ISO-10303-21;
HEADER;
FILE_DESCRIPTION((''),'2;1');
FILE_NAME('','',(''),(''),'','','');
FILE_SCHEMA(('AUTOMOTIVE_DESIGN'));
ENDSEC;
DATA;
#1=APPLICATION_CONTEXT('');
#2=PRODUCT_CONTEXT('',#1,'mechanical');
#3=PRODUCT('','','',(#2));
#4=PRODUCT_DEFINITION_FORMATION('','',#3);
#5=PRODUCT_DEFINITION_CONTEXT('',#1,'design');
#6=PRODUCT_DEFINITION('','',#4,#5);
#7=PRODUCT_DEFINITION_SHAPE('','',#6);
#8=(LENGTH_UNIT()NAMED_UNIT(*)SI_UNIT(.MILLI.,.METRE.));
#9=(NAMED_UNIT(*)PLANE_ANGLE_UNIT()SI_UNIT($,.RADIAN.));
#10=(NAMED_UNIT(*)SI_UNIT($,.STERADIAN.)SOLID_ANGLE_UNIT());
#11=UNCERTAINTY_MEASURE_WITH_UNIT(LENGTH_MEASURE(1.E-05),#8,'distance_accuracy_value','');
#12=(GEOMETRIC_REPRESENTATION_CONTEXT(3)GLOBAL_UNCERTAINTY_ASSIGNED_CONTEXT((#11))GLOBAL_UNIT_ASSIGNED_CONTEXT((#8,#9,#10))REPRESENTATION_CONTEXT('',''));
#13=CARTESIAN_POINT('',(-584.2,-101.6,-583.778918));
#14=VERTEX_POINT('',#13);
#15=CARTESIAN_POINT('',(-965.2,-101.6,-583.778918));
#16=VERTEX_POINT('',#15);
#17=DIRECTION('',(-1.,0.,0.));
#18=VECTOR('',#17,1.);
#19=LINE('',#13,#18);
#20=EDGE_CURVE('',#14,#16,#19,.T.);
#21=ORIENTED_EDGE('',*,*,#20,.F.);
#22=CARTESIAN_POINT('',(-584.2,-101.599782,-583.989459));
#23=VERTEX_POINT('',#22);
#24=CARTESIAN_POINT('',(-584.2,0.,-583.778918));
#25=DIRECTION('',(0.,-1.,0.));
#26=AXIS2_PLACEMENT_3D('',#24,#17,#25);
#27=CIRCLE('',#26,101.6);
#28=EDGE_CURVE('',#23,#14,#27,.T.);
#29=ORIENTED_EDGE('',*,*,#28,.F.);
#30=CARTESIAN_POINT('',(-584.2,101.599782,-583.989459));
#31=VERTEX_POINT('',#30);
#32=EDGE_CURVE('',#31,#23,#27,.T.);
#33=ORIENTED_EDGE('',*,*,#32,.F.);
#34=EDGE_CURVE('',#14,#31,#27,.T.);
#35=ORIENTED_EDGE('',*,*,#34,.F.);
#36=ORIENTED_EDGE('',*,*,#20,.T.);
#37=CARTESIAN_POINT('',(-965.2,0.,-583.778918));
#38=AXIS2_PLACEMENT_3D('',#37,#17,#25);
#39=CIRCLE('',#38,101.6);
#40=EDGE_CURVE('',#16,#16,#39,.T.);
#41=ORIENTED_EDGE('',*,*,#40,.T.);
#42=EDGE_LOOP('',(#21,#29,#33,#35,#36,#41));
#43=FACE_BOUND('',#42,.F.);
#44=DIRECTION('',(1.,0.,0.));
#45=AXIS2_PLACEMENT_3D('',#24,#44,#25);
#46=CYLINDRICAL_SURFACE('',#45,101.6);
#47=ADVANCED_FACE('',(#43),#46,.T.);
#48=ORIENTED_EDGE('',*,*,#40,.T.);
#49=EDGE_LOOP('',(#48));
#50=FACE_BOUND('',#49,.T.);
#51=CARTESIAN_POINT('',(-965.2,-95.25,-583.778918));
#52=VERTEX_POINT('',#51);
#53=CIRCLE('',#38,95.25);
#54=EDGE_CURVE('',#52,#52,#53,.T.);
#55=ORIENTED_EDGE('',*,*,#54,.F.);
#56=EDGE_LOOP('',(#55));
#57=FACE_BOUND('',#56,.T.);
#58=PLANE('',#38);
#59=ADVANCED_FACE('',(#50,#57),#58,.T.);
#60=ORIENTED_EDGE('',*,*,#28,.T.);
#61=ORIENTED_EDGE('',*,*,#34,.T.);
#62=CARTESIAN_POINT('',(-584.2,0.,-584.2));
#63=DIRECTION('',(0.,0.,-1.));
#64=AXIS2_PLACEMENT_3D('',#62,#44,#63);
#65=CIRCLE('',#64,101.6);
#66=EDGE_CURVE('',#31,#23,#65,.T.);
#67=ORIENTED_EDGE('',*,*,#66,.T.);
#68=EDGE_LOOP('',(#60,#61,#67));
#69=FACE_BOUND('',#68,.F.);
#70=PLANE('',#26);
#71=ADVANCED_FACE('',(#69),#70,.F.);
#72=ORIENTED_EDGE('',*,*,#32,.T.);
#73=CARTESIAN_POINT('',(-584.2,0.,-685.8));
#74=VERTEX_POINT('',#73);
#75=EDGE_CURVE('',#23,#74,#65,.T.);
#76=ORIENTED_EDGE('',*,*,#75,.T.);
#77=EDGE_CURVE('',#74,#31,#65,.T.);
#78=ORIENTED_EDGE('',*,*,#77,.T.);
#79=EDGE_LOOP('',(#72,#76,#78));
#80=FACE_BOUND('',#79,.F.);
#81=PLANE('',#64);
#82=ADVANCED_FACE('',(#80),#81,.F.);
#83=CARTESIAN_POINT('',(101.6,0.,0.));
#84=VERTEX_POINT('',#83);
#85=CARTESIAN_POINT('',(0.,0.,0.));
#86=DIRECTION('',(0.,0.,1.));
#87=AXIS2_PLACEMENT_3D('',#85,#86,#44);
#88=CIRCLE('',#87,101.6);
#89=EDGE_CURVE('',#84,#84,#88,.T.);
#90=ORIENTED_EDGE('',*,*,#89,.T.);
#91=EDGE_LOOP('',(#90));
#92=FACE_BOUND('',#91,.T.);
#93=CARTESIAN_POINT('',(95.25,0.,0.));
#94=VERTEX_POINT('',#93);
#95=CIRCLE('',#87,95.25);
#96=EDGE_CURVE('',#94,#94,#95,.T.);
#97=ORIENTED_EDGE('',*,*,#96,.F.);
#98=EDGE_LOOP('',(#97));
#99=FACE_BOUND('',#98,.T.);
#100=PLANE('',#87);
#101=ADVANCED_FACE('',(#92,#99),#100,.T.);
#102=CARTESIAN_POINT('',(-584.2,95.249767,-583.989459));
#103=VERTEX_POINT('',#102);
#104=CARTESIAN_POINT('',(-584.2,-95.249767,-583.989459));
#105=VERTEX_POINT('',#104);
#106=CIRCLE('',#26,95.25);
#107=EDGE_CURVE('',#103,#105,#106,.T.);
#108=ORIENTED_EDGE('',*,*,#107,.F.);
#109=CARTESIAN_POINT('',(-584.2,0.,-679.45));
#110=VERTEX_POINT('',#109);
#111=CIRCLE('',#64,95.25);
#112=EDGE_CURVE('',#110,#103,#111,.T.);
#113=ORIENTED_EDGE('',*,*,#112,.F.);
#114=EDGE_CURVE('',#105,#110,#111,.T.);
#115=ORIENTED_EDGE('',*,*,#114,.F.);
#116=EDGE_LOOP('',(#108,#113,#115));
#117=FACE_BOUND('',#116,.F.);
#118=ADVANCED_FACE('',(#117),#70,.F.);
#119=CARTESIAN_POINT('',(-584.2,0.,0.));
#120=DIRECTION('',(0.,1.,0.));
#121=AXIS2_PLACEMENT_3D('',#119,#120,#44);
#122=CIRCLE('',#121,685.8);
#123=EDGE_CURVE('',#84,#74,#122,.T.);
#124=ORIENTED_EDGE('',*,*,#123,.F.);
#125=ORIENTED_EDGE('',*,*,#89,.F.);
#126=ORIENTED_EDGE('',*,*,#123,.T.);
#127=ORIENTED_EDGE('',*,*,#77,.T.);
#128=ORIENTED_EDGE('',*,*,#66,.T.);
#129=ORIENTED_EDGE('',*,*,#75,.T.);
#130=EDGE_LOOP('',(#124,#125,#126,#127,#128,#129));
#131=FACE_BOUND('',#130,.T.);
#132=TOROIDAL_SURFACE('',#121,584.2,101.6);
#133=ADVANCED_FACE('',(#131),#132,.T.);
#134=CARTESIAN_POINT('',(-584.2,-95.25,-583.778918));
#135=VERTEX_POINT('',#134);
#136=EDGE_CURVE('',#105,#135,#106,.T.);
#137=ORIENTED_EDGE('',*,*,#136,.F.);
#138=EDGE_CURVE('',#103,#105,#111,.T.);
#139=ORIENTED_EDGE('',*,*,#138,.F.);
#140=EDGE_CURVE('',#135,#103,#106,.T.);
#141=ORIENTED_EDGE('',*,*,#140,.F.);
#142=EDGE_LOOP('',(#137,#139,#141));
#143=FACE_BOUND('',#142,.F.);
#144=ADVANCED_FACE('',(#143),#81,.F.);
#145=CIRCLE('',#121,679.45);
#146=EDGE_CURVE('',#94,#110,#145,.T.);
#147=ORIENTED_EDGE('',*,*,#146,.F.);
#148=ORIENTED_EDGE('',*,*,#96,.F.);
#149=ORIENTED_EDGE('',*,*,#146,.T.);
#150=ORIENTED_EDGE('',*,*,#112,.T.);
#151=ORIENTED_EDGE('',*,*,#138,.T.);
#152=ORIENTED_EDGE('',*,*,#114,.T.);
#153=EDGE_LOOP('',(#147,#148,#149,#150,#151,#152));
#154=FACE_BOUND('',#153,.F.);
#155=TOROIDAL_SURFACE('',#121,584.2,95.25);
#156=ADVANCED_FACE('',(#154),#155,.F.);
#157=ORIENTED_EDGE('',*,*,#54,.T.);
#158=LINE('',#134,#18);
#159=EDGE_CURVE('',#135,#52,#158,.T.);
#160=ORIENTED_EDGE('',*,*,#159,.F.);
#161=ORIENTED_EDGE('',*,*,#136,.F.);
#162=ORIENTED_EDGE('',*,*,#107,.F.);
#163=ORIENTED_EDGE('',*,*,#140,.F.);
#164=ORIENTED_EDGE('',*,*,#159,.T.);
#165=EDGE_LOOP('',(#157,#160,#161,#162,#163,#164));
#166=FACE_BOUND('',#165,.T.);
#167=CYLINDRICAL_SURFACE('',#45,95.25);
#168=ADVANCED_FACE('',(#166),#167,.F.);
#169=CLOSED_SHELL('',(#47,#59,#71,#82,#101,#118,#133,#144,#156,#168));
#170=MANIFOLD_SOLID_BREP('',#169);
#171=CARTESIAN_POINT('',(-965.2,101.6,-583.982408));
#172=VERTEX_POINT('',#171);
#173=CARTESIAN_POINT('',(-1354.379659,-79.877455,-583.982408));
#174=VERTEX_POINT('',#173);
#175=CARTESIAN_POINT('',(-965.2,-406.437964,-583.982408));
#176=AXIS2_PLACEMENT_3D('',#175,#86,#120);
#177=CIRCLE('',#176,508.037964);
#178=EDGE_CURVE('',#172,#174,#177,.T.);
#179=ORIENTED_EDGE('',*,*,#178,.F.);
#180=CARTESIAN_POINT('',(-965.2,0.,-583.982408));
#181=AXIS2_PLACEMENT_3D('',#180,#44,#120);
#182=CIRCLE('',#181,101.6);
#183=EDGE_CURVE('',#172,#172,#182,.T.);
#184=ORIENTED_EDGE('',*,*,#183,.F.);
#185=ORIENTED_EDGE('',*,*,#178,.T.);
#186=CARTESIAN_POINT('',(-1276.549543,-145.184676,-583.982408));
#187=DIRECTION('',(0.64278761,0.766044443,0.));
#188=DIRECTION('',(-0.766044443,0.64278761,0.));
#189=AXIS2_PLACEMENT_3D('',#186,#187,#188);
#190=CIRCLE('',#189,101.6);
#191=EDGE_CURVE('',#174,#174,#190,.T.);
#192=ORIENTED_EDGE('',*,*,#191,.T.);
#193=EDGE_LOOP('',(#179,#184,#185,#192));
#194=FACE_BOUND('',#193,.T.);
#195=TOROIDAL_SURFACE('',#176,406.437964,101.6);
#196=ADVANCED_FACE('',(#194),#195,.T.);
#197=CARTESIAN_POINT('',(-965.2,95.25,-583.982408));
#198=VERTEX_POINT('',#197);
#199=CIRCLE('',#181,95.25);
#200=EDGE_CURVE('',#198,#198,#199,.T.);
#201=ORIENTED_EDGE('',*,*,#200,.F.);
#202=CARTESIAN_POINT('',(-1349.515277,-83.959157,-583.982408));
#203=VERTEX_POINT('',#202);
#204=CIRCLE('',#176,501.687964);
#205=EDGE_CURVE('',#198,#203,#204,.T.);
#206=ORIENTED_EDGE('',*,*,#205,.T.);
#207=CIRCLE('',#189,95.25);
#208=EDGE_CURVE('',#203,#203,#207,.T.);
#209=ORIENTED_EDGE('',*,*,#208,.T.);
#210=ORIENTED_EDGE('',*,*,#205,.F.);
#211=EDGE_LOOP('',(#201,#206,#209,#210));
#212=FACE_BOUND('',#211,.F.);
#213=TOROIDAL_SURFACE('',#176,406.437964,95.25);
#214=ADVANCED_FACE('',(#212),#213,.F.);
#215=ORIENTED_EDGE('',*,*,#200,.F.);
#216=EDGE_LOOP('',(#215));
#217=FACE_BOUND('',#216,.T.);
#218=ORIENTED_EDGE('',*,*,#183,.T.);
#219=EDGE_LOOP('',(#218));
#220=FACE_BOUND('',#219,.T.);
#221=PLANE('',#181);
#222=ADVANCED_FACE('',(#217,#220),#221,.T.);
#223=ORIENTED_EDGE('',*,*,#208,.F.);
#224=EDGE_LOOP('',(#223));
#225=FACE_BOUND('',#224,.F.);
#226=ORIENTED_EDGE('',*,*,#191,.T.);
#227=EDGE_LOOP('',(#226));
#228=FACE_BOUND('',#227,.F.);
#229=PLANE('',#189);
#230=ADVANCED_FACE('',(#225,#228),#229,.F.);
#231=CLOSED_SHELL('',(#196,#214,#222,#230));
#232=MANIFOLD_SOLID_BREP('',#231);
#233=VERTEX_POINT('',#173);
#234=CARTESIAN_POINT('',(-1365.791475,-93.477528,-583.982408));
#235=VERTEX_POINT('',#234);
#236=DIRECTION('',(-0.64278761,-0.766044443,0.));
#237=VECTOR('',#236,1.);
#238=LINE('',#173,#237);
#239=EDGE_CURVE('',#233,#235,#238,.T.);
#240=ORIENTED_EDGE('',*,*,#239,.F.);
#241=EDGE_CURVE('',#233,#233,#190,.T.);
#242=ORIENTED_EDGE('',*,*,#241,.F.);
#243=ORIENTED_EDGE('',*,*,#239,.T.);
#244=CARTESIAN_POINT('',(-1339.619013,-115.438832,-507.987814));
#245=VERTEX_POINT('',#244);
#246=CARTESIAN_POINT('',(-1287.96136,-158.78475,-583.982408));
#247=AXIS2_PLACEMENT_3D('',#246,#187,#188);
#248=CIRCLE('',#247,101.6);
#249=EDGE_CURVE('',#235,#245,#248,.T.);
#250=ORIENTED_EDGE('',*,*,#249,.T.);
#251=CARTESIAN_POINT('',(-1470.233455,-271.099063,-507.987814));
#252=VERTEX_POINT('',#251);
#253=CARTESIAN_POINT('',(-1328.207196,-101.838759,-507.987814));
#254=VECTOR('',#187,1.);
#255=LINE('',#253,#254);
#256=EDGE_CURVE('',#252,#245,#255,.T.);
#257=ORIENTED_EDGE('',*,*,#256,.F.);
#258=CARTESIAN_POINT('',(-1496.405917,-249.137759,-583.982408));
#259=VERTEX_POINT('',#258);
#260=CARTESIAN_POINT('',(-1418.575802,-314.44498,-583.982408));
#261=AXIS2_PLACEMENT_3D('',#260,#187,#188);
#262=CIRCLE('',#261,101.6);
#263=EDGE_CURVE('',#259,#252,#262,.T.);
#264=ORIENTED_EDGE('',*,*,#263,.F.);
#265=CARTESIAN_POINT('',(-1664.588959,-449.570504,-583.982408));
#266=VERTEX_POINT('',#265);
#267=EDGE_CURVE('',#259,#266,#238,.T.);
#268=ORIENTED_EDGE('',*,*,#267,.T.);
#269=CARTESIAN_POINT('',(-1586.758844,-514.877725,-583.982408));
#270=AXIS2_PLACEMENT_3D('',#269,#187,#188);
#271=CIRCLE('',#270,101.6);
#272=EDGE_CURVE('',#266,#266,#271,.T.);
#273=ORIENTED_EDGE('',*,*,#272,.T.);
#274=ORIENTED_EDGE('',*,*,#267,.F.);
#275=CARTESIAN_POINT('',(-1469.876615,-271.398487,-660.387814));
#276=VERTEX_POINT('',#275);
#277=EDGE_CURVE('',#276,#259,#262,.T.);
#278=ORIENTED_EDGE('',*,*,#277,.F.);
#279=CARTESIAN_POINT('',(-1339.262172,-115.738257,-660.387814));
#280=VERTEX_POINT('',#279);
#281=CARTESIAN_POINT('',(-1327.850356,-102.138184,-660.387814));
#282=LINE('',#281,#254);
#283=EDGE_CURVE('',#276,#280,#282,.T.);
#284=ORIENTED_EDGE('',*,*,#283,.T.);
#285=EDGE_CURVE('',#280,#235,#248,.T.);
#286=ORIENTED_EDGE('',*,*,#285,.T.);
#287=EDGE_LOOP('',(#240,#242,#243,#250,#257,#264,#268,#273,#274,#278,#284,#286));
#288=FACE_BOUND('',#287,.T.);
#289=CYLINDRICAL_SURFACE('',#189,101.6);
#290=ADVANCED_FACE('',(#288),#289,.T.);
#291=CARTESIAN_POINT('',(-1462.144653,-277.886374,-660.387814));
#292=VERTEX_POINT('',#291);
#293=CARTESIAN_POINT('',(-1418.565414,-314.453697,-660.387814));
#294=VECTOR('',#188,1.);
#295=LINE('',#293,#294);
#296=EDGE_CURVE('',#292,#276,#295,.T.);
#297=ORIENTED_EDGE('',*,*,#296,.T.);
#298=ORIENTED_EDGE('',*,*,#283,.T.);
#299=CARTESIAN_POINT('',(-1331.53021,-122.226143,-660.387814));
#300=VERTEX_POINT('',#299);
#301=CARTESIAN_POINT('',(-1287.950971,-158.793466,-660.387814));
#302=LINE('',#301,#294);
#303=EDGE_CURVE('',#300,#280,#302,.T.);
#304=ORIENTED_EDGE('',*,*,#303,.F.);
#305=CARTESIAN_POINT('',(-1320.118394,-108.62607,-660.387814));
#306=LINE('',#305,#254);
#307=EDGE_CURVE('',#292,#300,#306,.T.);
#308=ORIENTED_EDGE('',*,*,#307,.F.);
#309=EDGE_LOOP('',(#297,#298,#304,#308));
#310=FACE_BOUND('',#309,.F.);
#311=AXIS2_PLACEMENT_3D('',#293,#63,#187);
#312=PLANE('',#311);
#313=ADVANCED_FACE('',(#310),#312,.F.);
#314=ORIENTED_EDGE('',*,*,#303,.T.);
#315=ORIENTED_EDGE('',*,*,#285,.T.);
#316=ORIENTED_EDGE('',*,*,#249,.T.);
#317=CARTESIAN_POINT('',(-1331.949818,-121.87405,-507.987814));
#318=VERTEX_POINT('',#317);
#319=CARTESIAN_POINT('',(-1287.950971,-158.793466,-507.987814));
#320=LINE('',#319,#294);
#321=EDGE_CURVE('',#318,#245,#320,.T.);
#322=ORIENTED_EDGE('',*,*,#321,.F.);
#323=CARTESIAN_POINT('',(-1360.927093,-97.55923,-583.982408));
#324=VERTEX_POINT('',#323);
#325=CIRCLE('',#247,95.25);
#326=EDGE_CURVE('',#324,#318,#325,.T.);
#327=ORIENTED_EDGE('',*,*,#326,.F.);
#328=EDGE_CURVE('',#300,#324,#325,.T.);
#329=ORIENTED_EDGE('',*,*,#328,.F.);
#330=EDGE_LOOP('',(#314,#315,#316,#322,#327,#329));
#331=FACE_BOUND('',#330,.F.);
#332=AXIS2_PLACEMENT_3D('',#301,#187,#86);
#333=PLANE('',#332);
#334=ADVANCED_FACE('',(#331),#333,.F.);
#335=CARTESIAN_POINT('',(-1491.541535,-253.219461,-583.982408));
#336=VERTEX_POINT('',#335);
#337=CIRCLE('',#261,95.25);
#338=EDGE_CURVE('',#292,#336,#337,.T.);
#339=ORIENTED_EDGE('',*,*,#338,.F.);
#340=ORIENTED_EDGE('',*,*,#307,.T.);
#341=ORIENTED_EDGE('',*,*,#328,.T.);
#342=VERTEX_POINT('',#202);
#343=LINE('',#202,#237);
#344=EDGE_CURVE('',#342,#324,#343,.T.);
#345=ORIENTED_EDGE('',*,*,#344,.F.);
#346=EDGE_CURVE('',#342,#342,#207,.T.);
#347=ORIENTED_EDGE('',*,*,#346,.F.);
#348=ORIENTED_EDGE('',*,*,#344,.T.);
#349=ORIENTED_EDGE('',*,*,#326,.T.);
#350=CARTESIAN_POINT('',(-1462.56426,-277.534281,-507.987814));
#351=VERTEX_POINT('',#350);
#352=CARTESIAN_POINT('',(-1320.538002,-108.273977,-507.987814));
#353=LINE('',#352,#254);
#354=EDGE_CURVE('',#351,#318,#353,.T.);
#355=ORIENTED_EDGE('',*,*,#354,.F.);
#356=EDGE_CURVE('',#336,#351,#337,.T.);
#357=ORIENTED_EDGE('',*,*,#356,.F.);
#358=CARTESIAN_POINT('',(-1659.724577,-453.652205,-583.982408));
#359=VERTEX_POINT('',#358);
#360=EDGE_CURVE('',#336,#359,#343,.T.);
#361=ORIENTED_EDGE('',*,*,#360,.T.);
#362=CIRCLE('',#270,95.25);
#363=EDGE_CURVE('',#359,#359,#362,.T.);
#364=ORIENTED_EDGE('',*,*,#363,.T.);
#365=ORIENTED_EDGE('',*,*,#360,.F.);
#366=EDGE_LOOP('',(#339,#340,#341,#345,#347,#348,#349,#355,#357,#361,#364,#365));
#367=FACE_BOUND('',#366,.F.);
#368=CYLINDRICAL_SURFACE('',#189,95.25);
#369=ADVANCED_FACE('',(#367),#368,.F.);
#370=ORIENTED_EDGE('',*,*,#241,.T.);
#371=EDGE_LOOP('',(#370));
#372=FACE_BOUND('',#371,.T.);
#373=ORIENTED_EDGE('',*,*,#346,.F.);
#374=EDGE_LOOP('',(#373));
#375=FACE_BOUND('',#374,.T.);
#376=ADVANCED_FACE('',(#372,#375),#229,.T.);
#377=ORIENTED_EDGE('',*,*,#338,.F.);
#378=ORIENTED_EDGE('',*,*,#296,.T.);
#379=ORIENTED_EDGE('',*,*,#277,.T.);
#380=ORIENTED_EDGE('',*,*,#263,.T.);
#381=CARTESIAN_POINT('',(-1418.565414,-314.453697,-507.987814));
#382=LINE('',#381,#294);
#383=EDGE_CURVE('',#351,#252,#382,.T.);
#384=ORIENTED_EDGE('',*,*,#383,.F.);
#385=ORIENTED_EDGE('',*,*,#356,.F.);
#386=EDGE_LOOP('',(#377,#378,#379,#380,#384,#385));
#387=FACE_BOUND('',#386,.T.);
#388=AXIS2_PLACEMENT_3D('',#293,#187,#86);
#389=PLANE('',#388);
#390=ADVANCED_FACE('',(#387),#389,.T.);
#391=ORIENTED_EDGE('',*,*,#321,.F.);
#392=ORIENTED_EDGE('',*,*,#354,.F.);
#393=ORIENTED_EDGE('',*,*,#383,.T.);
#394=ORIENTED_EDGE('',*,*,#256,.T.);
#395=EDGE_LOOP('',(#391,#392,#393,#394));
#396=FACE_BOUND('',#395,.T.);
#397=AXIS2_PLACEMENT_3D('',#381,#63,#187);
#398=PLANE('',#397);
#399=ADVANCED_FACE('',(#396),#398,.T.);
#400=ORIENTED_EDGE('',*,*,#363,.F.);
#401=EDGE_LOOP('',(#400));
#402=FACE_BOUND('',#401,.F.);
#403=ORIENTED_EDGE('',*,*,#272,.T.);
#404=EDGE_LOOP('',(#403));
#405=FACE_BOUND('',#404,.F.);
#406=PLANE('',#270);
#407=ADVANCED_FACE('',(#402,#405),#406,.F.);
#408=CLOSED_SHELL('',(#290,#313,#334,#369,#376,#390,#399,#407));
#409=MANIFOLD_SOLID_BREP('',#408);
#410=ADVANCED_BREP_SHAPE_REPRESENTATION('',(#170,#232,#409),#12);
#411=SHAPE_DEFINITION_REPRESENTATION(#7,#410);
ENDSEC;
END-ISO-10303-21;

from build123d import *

# Parameters (mm, degrees)
F0_R      = 101.6
F0_R_2    = 95.25
F3_ANGLE  = 90
F4_R      = 101.6
F4_R_2    = 95.25
F5_DEPTH  = 381
F9_R      = 101.6
F9_R_2    = 95.25
F10_ANGLE = 50
F12_DEPTH = 482.6
F14_W     = 203.2
F14_H     = 152.4
F15_DEPTH = 233.934


with BuildPart() as f3:
    # F0 (on Top) → F3 (revolve)
    with BuildSketch(Plane.XY):
        Circle(F0_R)
        Circle(F0_R_2, mode=Mode.SUBTRACT)
    revolve(axis=Axis((-584.2, -210.4463875294, 0), (0, 1, 0)), revolution_arc=F3_ANGLE)

    # F4 (on line) → F5 (join)
    with BuildSketch(Plane(origin=(-584.2, 0, 0), x_dir=(0, -1, 0), z_dir=(-1, 0, 0))):
        with Locations((0, -583.7789177895)):
            Circle(F4_R)
        with Locations((0, -583.7789177895)):
            Circle(F4_R_2, mode=Mode.SUBTRACT)
    extrude(amount=F5_DEPTH)


with BuildPart() as f10:
    # F9 (on line) → F10 (revolve)
    with BuildSketch(Plane.YZ.offset(-965.2)):
        with Locations((0, -583.9824080467)):
            Circle(F9_R)
        with Locations((0, -583.9824080467)):
            Circle(F9_R_2, mode=Mode.SUBTRACT)
    revolve(axis=Axis((-965.2, -406.4379635355, -431.8284175472), (0, 0, 1)), revolution_arc=F10_ANGLE)


with BuildPart() as f12:
    # F12 (new): a face of the model
    f12_faces = [f10.part.faces().sort_by_distance(p)[0] for p in [
        (-1200.9207961138, -208.6447304555, -583.9824080467),
    ]]
    extrude(f12_faces, amount=F12_DEPTH)

    # F14 (on face) → F15 (cut)
    with BuildSketch(Plane(origin=(-677.6101368135, 568.5824158822, 0), x_dir=(0.6427876097, 0.7660444431, 0), z_dir=(0.7660444431, -0.6427876097, 0))):
        with Locations((-1051.1217788696, -584.187814045)):
            Rectangle(F14_W, F14_H)
    extrude(amount=-F15_DEPTH, mode=Mode.SUBTRACT)


solid = Compound([f3.part, f10.part, f12.part])
